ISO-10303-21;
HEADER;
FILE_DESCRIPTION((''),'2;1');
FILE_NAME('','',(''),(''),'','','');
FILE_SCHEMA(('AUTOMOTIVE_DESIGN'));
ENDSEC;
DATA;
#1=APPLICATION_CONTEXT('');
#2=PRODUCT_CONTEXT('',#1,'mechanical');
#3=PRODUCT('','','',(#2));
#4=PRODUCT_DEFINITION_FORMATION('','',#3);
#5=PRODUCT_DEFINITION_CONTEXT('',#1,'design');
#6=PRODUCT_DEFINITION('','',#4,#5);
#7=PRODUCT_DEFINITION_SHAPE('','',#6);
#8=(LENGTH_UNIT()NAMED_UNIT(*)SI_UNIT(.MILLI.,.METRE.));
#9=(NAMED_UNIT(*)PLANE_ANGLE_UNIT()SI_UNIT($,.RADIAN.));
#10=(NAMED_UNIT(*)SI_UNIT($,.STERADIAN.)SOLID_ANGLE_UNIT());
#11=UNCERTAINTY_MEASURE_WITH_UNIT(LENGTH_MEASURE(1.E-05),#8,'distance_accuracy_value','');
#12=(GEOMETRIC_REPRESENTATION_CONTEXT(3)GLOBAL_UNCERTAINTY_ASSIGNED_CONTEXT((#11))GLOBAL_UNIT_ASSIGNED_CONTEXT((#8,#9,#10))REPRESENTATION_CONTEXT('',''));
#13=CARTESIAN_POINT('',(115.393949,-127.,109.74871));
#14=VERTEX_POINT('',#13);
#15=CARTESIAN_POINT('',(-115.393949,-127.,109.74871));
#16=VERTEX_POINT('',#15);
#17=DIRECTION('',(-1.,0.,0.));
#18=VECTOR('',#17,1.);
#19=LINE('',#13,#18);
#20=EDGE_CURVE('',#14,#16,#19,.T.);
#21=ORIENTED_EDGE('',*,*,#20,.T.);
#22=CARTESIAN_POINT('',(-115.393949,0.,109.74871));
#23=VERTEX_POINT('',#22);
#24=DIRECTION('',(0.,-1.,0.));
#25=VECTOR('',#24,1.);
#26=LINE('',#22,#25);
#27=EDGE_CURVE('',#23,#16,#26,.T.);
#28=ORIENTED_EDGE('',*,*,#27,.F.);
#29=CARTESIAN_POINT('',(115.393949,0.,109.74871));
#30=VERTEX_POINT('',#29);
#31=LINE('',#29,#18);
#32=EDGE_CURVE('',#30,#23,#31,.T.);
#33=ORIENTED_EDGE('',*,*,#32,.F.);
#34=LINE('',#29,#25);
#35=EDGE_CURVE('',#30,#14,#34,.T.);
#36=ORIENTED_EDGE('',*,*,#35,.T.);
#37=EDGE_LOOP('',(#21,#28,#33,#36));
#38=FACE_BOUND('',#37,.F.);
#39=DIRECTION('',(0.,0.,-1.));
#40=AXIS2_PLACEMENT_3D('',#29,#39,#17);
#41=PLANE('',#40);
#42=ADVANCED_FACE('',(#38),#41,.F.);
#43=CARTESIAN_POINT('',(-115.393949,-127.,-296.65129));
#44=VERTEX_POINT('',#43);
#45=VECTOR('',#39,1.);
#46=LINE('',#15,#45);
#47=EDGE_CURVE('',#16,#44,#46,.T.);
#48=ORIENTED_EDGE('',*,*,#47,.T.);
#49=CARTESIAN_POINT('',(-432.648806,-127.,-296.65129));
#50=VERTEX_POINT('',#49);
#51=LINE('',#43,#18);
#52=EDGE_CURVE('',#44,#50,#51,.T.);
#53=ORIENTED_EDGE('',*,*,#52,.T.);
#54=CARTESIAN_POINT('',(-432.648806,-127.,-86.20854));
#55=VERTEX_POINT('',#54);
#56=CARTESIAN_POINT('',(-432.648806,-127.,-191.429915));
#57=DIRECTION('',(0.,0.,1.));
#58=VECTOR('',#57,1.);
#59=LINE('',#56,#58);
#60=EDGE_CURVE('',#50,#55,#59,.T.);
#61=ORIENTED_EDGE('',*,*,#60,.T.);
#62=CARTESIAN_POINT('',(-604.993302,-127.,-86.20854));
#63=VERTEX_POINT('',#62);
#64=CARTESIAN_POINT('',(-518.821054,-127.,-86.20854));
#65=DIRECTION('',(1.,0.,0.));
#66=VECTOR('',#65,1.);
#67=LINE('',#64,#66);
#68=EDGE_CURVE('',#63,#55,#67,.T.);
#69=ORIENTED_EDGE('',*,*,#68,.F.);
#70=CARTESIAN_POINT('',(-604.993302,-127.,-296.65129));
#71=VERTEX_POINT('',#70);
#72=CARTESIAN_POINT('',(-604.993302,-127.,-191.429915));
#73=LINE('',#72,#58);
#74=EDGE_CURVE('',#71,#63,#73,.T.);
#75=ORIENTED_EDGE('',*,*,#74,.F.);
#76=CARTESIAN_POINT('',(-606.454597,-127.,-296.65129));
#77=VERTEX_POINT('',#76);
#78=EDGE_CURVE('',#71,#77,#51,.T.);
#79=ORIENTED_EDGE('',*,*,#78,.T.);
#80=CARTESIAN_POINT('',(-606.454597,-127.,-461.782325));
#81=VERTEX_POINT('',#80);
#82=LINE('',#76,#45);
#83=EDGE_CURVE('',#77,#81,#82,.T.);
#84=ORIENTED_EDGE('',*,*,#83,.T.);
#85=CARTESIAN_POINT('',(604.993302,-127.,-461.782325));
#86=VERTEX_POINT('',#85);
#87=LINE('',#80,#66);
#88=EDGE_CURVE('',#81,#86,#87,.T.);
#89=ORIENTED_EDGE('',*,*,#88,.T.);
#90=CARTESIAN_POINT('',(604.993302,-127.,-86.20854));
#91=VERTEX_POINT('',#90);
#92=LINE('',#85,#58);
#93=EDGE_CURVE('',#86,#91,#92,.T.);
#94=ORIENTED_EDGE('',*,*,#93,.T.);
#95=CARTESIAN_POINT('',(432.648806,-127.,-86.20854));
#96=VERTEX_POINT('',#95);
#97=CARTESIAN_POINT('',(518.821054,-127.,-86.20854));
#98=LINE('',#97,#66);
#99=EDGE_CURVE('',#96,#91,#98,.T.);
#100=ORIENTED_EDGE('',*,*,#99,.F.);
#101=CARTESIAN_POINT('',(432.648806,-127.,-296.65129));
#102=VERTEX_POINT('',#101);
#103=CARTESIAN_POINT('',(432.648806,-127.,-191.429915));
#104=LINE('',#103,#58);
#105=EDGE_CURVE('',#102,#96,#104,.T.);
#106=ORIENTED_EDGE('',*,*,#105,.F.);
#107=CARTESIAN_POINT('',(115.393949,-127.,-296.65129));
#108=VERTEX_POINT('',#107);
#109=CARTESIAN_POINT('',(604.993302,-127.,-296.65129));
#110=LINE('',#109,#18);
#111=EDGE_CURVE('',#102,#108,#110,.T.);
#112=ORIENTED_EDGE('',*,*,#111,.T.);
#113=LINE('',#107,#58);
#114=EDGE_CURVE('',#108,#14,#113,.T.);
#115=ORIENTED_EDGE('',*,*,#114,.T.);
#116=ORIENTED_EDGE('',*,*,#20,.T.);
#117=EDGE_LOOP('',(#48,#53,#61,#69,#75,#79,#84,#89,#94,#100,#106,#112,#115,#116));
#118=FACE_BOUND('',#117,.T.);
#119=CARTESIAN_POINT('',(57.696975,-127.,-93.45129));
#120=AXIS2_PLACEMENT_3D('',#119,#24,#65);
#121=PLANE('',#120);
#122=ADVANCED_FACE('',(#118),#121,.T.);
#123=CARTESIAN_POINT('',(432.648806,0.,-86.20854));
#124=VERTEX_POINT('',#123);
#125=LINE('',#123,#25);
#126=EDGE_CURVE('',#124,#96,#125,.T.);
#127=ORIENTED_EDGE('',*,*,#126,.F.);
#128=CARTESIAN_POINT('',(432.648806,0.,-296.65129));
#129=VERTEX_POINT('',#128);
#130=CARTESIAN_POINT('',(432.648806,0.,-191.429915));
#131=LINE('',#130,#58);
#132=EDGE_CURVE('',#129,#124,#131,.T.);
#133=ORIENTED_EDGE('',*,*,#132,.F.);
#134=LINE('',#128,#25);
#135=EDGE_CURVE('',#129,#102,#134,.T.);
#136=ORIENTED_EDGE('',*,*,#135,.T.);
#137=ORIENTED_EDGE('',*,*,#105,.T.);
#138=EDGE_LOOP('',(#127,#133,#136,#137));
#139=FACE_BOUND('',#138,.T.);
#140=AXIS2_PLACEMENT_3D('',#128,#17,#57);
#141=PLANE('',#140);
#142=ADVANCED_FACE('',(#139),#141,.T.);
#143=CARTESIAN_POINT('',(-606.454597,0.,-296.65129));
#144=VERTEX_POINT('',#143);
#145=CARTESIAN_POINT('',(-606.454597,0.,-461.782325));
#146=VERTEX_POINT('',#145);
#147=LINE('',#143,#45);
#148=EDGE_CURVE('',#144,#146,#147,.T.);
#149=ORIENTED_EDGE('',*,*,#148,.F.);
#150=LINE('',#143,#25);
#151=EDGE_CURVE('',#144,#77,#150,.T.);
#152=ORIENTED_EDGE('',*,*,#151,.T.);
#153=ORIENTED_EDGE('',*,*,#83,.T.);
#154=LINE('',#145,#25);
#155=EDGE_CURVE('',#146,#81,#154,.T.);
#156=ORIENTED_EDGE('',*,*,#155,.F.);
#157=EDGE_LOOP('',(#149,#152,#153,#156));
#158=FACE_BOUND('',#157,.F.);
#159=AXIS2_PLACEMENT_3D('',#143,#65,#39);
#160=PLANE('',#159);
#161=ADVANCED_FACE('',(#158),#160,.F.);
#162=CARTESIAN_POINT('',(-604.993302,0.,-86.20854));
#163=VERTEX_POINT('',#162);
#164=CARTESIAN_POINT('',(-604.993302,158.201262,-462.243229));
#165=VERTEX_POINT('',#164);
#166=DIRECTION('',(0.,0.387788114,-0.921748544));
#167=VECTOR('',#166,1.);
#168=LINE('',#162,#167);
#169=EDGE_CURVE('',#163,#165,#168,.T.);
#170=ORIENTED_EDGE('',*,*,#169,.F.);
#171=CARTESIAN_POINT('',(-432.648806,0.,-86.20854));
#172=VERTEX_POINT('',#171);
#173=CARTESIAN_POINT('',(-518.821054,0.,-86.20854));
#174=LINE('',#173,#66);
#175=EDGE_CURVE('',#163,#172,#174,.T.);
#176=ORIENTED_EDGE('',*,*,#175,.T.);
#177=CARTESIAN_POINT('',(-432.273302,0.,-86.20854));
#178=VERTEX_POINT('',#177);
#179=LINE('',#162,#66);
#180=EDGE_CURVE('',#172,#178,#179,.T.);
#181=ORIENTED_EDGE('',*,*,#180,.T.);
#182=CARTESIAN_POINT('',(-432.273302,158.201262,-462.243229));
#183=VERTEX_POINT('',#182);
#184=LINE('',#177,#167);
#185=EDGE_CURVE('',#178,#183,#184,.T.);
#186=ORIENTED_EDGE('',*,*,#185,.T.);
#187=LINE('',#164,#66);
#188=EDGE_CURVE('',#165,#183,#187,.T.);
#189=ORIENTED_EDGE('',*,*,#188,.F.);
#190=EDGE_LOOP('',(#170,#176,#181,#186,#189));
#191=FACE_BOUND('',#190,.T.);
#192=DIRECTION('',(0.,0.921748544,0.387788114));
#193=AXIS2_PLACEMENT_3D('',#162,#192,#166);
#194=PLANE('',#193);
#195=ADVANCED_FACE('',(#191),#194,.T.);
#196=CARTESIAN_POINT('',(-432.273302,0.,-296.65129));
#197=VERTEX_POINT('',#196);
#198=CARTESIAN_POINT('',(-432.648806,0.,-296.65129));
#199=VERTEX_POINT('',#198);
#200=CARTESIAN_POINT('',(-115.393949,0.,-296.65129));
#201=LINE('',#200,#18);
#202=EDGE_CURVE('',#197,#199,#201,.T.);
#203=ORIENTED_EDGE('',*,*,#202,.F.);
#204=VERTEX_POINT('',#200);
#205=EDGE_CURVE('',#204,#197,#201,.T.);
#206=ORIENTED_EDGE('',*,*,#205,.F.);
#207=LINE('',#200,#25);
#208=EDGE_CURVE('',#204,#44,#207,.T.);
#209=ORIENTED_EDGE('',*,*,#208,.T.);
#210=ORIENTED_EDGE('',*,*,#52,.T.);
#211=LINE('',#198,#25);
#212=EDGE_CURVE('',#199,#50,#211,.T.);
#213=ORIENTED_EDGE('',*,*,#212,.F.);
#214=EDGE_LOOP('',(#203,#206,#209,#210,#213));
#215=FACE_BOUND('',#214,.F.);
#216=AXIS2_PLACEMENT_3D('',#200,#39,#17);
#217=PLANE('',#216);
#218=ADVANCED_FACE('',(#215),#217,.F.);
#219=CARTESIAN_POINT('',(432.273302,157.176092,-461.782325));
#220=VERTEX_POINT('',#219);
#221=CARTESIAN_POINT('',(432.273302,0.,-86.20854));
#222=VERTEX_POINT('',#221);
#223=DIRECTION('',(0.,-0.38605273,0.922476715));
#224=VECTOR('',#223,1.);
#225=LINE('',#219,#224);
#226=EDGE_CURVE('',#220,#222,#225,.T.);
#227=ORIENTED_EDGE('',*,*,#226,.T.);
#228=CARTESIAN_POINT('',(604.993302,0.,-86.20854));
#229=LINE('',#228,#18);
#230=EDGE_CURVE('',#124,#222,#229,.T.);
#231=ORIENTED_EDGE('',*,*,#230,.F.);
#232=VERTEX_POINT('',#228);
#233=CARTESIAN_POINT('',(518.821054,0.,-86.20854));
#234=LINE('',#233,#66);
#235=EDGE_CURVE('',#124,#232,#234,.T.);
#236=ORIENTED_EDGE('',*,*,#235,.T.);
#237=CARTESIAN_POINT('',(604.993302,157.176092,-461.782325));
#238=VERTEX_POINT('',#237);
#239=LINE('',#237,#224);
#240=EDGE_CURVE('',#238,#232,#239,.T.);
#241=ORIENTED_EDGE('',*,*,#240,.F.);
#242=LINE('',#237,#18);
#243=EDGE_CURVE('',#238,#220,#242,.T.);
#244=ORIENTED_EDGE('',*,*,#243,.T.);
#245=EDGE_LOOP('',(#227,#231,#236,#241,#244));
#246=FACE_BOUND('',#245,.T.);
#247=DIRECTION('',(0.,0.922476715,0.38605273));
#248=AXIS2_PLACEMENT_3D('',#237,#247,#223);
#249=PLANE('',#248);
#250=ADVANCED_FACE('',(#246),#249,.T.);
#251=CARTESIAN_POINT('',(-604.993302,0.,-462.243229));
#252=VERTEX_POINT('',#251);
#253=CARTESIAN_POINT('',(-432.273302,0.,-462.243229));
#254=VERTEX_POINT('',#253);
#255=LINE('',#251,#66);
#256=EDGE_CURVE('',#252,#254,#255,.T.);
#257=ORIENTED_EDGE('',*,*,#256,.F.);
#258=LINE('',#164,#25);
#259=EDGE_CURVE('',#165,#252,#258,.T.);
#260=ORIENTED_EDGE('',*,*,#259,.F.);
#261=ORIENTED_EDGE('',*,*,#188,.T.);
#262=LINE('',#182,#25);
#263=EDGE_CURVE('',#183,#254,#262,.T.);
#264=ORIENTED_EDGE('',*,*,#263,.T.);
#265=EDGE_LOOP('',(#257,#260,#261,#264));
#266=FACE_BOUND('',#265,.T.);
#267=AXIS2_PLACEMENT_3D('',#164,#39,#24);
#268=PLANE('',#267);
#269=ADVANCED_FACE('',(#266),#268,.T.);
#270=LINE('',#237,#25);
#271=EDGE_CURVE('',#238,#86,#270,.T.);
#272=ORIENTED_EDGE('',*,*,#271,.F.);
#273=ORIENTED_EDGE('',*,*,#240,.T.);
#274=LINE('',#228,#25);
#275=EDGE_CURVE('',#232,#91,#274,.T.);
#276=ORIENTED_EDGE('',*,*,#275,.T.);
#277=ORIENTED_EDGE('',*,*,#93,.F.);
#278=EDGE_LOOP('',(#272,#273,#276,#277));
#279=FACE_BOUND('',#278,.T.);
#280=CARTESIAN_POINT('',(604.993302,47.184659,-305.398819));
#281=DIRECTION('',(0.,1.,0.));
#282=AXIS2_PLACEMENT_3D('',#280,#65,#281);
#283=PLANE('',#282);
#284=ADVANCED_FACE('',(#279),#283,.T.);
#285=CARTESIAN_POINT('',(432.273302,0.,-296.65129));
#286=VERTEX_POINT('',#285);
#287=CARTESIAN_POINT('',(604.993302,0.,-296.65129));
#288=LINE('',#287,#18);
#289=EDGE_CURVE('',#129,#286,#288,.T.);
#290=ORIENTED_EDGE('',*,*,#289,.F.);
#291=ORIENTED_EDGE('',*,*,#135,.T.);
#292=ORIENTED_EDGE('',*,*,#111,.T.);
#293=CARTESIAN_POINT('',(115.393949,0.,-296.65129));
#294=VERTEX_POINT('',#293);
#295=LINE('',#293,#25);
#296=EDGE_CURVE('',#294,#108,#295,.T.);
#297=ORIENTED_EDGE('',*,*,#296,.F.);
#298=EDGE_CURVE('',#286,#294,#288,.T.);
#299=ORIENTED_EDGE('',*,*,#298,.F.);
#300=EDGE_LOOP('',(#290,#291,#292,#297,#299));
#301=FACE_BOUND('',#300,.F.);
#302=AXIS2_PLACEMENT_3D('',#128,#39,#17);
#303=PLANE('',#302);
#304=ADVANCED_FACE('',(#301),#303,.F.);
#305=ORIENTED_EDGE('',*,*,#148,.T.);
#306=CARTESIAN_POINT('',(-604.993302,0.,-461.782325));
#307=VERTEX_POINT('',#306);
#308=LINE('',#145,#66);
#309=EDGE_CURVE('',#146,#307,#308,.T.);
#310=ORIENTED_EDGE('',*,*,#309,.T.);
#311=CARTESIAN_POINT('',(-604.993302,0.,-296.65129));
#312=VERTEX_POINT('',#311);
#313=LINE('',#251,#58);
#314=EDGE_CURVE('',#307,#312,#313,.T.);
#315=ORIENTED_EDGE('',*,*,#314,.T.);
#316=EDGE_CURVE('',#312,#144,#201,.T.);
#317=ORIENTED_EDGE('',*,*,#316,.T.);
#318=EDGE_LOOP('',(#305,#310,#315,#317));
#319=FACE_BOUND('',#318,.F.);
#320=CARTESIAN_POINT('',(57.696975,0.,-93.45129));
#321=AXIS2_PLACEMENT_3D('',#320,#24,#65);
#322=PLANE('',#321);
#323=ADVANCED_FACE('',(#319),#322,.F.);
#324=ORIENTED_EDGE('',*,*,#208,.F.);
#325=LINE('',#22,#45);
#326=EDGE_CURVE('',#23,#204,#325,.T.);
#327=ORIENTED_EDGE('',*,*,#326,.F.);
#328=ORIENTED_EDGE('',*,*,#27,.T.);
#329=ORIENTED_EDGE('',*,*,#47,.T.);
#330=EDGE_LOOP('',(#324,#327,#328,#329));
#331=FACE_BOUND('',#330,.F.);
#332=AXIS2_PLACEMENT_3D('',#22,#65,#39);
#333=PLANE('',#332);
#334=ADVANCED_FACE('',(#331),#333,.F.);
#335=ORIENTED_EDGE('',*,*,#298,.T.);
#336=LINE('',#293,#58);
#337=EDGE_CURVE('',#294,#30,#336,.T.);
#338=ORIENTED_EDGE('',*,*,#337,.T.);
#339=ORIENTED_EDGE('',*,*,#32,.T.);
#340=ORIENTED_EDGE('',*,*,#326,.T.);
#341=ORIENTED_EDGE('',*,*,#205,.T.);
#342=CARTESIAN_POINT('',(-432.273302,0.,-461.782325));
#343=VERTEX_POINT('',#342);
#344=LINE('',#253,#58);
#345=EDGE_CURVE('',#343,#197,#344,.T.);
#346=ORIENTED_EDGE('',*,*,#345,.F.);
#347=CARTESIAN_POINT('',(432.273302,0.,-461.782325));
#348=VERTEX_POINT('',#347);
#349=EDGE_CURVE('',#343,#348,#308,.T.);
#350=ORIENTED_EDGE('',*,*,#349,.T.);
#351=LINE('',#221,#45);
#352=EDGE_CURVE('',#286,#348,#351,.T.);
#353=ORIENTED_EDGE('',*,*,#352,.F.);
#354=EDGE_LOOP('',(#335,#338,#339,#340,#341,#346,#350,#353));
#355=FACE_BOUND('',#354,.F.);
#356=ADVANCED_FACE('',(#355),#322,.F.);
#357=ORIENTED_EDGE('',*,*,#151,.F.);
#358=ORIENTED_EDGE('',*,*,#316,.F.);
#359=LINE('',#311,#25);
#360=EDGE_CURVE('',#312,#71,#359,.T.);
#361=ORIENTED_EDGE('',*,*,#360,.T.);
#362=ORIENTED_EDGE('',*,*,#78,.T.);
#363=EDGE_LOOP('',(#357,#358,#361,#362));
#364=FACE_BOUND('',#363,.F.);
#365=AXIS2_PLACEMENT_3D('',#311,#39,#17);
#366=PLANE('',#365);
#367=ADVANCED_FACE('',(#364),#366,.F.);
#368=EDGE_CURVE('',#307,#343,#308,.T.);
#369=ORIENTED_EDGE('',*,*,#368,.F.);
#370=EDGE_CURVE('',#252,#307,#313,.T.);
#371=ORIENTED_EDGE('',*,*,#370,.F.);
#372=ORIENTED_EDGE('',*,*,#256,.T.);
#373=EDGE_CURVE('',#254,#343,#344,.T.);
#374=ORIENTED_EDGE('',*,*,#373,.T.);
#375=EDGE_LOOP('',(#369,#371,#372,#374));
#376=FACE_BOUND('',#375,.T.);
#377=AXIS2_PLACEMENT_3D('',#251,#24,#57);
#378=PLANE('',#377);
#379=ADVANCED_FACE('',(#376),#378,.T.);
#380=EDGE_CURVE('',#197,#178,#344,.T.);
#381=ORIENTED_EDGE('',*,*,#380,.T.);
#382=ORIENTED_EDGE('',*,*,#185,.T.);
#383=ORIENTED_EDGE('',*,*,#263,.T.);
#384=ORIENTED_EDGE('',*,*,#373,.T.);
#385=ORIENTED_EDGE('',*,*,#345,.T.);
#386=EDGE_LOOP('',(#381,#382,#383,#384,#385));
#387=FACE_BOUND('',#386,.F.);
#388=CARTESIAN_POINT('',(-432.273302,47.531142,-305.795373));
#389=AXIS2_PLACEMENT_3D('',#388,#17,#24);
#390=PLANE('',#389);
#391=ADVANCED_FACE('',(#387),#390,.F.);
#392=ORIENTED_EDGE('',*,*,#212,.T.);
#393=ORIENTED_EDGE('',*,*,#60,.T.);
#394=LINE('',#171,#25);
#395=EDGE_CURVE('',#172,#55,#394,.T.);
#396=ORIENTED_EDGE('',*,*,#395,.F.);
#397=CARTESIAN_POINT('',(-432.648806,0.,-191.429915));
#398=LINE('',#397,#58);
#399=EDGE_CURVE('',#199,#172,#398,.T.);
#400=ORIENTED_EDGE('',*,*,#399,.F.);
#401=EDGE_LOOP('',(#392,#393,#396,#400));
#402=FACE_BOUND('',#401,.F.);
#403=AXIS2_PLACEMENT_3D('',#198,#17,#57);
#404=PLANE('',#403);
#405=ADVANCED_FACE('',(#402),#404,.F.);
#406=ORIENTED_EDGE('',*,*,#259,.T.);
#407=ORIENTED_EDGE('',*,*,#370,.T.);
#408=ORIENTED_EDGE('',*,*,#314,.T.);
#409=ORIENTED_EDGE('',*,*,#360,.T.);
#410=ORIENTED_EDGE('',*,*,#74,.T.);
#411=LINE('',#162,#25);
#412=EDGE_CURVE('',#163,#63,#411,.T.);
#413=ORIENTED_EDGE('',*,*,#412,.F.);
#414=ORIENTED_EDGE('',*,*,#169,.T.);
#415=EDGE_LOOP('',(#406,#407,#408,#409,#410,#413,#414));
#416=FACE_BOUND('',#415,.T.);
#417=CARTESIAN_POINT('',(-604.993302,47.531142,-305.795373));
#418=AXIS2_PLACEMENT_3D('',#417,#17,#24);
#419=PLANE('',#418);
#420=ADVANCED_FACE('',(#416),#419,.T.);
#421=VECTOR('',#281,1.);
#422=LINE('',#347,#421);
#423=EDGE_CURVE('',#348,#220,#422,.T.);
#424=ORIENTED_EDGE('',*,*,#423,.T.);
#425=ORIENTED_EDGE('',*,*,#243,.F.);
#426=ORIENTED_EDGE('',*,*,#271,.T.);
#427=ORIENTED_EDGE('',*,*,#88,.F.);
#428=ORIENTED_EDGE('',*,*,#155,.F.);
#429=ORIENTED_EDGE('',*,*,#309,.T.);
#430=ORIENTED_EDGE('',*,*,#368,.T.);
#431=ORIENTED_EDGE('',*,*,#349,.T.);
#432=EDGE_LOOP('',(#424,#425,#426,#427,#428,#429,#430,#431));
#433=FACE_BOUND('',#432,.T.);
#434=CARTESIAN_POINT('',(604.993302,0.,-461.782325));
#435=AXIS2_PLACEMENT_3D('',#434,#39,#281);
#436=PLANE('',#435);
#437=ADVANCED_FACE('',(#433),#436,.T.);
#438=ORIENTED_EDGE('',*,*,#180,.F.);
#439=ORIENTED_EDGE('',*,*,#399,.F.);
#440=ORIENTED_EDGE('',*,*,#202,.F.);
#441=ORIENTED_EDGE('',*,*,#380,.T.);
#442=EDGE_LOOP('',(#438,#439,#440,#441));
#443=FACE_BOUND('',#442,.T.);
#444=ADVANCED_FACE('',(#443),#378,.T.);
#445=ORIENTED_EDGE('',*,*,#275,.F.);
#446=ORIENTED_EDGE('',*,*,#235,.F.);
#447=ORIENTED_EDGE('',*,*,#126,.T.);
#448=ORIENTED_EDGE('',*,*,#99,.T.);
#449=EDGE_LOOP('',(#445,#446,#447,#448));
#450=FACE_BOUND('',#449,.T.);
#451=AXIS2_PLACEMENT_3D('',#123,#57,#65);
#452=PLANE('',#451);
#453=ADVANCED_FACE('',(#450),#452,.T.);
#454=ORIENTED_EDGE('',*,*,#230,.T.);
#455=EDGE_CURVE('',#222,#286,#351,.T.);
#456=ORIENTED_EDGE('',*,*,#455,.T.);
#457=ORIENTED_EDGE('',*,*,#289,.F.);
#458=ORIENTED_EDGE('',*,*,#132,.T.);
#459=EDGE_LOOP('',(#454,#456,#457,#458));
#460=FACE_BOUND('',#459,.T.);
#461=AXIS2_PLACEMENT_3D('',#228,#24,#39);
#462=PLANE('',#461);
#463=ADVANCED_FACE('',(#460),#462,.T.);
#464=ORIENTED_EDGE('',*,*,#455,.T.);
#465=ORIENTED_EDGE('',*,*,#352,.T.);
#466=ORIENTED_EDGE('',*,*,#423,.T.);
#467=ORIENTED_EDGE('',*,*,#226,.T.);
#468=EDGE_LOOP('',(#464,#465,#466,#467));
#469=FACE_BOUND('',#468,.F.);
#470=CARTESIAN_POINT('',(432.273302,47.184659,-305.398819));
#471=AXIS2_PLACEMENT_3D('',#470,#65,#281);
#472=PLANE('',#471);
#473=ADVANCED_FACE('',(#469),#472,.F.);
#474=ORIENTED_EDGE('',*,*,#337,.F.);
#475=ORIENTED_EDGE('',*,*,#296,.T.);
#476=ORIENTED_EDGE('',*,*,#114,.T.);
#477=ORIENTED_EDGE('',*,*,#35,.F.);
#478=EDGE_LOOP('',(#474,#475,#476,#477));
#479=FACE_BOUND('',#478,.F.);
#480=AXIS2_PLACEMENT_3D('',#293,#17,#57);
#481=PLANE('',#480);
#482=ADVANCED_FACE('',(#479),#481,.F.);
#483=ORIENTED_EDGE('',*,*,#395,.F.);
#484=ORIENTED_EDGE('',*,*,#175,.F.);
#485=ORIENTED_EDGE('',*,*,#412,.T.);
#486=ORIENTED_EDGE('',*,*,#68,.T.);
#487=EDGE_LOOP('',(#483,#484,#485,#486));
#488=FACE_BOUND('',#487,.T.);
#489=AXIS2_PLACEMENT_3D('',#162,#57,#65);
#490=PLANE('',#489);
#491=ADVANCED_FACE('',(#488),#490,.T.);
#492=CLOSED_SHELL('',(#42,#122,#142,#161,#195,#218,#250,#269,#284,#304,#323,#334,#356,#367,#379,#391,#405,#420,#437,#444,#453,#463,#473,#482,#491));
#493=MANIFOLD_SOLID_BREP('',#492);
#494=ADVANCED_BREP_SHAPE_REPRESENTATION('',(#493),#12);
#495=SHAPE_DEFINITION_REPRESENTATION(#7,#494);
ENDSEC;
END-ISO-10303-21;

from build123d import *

# Parameters (mm, degrees)
F0_W     = 172.344496
F0_H     = 210.44275
F1_DEPTH = 127
F4_DEPTH = 172.72
F5_DEPTH = 172.72


with BuildPart() as f1:
    # F0 (on Front) → F1 (new body)
    with BuildSketch(Plane.XZ):
        Polygon((0, 109.74871), (0, 0), (0, -296.65129), (115.393949, -296.65129), (115.393949, 109.74871), align=None)
        Polygon((0, -296.65129), (0, 0), (0, 109.74871), (-115.393949, 109.74871), (-115.393949, -296.65129), align=None)
        Polygon((115.393949, -296.65129), (0, -296.65129), (0, -461.782325), (604.993302, -461.782325), (604.993302, -296.65129), (432.648806, -296.65129), align=None)
        Polygon((0, -461.782325), (0, -296.65129), (-115.393949, -296.65129), (-432.648806, -296.65129), (-604.993302, -296.65129), (-606.454597, -296.65129), (-606.454597, -461.782325), align=None)
        with Locations((-518.821054, -191.429915)):
            Rectangle(F0_W, F0_H)
        with Locations((518.821054, -191.429915)):
            Rectangle(F0_W, F0_H)
    extrude(amount=F1_DEPTH)

    # F3 (on face) → F4 (join)
    with BuildSketch(Plane(origin=(-604.993302, 0, 0), x_dir=(0, -1, 0), z_dir=(-1, 0, 0))):
        Polygon((0, -462.243229), (0, -86.20854), (-158.201262, -462.243229), align=None)
    extrude(amount=-F4_DEPTH)

    # F2 (on face) → F5 (join)
    with BuildSketch(Plane.YZ.offset(604.993302)):
        Polygon((157.176092, -461.782325), (0, -86.20854), (0, -461.782325), align=None)
    extrude(amount=-F5_DEPTH)


solid = f1.part
